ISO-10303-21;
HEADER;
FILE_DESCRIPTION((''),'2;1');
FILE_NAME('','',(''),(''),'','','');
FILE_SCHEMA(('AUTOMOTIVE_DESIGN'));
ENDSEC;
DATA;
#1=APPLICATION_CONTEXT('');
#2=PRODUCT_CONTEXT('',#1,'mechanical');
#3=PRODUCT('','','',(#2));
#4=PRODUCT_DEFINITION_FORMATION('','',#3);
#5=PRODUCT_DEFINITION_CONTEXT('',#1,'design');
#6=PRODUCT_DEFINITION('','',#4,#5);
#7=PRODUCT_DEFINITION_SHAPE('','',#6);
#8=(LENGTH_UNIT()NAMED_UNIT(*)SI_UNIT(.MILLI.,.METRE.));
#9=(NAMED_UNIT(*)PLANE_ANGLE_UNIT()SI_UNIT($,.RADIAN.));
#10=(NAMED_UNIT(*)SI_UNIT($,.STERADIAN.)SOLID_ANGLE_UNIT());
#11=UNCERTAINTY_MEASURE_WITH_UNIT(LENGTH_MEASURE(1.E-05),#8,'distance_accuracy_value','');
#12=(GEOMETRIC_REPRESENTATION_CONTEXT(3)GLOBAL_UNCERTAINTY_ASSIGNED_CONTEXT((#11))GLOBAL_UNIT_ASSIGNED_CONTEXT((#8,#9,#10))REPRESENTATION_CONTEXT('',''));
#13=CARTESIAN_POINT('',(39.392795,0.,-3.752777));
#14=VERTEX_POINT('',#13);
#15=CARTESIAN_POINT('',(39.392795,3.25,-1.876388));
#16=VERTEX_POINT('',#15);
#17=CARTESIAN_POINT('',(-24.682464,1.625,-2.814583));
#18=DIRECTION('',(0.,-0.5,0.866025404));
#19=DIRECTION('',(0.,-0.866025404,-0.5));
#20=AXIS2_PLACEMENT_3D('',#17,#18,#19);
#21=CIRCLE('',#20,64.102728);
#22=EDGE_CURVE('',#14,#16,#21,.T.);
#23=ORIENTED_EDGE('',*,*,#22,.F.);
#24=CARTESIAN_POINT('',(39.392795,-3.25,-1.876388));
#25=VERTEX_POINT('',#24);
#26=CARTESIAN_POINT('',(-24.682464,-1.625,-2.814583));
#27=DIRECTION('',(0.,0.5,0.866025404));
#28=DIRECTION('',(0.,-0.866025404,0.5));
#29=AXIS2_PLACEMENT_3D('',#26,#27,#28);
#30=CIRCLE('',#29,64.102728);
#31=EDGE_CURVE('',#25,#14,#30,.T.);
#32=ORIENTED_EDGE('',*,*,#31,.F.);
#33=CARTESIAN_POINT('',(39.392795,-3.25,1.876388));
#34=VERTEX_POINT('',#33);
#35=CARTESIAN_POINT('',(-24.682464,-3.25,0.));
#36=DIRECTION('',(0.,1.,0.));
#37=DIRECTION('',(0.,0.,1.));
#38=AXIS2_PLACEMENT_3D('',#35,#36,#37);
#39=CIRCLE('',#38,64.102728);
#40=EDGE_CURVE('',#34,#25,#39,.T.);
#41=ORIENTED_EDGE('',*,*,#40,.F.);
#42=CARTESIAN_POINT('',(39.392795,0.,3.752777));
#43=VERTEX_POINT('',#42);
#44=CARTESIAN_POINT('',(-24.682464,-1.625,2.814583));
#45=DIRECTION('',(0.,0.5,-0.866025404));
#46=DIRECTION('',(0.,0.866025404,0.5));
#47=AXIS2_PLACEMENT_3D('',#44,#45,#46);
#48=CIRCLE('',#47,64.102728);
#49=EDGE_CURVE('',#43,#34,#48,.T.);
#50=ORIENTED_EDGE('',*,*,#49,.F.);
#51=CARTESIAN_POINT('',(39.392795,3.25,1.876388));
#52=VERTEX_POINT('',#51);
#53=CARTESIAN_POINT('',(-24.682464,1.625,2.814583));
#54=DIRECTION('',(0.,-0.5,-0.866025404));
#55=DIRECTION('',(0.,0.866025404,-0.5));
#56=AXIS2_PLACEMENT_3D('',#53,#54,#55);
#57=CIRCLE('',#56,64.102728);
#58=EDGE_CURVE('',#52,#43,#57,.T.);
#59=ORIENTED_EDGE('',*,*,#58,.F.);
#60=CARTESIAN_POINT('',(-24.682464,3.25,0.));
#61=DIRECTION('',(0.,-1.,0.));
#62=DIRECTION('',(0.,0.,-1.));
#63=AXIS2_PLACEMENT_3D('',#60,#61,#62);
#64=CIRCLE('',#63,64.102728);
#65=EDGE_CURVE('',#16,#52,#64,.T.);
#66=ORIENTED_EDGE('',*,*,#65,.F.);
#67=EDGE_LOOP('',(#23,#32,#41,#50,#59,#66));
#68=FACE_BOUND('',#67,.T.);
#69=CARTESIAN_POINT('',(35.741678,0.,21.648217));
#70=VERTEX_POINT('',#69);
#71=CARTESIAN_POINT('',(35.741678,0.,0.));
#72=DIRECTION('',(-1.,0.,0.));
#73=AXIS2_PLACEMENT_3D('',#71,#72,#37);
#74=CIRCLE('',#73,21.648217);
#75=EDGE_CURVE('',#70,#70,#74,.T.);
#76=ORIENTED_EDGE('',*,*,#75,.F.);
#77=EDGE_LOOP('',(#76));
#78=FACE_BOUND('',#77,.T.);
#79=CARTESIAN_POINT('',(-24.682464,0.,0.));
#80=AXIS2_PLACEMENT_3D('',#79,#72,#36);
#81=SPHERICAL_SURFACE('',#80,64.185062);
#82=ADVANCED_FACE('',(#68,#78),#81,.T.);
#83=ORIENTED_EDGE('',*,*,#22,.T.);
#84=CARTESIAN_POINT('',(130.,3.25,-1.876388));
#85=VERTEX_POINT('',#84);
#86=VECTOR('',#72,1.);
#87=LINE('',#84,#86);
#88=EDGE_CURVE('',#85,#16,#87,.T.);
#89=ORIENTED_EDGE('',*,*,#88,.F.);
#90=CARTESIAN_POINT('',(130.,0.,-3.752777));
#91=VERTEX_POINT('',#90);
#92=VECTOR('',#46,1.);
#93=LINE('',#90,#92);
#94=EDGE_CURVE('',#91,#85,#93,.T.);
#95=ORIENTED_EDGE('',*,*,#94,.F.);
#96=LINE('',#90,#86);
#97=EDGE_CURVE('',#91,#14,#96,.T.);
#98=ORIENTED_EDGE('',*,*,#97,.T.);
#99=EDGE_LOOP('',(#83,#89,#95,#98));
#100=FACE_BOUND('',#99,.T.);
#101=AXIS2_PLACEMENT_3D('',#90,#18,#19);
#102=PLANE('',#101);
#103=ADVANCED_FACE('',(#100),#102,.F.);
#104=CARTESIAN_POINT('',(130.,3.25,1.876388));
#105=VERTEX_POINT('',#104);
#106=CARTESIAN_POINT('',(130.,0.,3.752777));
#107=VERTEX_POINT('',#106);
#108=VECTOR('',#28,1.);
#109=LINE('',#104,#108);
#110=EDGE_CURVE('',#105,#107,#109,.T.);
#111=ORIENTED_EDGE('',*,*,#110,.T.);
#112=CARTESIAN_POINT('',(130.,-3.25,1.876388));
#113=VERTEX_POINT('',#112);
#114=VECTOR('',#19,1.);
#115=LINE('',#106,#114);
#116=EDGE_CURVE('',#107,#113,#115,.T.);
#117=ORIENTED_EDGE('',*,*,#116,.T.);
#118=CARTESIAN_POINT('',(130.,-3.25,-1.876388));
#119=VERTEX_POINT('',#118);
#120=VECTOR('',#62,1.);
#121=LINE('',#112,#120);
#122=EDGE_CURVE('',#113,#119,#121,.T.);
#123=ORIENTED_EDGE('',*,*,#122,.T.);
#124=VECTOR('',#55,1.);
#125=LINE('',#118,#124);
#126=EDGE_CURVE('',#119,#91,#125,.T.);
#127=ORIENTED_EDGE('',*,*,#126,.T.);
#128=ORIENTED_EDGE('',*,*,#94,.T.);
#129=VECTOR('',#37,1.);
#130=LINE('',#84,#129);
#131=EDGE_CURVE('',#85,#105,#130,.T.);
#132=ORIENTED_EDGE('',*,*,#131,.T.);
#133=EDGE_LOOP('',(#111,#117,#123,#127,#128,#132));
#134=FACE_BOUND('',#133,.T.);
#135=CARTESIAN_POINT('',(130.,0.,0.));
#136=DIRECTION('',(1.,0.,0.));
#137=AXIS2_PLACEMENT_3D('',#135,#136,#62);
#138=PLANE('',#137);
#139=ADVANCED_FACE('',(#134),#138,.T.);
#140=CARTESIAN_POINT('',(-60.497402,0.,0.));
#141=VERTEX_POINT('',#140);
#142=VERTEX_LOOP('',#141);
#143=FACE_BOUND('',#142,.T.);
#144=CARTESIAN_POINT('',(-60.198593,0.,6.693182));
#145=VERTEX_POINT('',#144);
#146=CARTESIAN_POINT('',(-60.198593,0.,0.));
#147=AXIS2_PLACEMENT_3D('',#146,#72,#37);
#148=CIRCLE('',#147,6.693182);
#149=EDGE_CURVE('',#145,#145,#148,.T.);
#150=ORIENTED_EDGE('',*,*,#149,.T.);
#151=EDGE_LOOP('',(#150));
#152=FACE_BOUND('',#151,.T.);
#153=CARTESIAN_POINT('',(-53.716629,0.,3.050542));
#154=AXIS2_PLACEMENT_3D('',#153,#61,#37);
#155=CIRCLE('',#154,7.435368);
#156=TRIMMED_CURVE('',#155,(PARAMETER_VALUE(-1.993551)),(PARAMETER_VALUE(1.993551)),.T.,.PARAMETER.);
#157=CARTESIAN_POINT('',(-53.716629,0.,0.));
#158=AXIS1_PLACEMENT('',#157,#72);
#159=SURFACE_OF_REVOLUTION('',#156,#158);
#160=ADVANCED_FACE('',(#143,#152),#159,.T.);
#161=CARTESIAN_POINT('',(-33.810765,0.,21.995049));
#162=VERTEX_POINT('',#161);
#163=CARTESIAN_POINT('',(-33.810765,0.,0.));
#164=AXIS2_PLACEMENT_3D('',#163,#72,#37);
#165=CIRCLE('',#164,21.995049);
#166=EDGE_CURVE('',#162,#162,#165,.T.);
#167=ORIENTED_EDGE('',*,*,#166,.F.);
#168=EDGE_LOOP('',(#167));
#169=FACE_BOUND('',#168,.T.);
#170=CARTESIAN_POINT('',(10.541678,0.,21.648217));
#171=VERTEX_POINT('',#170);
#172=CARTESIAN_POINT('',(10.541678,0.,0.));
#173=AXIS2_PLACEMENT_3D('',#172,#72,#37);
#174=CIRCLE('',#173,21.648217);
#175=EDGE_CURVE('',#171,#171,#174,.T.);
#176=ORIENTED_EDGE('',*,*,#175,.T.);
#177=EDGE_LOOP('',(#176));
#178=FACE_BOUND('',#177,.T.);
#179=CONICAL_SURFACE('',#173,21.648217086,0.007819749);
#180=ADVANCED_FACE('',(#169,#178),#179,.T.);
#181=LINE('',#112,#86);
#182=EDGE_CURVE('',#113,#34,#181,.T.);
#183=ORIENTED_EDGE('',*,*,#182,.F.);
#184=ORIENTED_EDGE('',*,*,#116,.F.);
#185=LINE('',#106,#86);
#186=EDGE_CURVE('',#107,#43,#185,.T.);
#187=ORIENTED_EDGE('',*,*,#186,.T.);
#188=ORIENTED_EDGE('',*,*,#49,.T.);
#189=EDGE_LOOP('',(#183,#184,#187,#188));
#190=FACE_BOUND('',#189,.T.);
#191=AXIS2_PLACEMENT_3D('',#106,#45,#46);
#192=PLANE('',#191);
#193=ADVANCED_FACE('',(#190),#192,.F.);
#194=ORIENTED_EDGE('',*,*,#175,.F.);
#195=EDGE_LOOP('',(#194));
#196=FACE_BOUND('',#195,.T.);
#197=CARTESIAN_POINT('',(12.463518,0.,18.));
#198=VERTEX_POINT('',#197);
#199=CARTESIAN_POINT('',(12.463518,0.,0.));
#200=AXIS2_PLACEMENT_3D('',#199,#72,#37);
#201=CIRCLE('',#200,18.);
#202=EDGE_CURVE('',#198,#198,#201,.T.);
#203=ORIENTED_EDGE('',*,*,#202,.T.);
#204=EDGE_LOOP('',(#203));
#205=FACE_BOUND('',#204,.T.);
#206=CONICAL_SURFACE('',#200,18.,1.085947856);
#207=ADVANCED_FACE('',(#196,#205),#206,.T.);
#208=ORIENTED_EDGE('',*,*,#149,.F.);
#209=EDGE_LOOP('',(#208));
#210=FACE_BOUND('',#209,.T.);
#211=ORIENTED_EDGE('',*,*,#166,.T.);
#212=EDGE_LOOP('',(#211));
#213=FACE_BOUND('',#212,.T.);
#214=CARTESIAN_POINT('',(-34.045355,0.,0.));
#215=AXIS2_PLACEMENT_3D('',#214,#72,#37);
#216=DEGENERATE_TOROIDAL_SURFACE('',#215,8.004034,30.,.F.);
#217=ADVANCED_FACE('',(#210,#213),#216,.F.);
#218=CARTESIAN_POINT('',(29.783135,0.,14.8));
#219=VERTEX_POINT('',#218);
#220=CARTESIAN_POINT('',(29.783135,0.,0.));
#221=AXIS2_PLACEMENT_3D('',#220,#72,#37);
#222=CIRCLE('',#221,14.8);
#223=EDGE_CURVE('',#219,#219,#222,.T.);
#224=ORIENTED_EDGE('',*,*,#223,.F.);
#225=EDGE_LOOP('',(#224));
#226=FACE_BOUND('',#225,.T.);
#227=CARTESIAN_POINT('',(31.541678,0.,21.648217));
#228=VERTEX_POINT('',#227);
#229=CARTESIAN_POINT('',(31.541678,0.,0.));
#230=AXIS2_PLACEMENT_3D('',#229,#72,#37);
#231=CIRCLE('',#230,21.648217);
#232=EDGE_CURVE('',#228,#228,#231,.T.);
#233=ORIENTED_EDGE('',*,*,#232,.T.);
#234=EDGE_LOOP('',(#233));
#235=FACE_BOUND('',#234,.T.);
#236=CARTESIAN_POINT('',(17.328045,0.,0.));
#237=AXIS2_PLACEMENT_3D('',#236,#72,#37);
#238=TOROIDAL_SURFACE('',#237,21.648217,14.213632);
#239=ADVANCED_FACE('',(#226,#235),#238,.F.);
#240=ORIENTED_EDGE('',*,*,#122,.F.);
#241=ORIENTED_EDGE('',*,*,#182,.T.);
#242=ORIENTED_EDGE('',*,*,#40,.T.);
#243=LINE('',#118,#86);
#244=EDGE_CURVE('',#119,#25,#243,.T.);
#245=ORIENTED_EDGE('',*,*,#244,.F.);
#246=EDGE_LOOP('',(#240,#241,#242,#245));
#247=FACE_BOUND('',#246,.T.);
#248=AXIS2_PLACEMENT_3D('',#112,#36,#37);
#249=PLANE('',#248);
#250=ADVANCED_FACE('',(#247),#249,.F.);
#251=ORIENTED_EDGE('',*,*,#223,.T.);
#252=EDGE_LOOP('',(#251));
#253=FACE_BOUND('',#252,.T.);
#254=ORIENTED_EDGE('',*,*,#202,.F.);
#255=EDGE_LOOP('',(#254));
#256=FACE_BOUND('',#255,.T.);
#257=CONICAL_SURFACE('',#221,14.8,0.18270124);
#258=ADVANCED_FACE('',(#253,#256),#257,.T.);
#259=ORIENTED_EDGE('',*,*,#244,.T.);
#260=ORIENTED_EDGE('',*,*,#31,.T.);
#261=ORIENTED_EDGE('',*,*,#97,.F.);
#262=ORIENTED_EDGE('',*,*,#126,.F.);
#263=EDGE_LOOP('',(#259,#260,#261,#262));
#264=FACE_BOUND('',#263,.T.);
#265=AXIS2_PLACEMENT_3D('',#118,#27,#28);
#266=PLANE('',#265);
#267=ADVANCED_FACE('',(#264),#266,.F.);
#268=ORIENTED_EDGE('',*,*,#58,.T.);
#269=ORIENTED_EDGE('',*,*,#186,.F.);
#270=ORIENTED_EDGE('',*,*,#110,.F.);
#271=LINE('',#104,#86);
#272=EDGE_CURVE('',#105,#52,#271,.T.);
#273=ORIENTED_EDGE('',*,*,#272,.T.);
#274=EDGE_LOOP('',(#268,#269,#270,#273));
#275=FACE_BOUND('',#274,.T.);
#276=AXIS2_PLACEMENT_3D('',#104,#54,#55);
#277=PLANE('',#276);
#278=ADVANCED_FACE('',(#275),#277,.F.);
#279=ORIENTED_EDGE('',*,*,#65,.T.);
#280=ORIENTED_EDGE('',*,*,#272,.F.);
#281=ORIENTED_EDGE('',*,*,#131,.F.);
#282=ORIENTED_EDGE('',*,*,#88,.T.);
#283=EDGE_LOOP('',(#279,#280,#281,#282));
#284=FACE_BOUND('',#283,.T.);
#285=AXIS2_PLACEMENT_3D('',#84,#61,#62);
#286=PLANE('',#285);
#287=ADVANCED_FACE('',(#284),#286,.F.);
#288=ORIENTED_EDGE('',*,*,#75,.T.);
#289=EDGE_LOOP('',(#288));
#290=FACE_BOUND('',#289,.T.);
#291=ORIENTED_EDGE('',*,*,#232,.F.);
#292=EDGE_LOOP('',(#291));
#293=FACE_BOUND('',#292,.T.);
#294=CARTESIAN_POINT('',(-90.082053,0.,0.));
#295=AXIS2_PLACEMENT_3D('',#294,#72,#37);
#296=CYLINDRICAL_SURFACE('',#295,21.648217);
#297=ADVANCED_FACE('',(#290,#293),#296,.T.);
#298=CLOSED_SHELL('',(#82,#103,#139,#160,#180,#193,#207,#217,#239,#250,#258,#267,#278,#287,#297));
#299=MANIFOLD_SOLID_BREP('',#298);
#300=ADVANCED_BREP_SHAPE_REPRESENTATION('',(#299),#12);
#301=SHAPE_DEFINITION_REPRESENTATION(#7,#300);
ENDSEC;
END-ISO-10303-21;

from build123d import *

# Parameters (mm, degrees)
BOSS_EXTRUDE1_DEPTH = 130


with BuildPart() as part:
    # Sketch1 → Revolve1 (revolve)
    with BuildSketch(Plane.XY):
        with BuildLine():
            Line((35.74167751, 21.648217086), (31.54167751, 21.648217086))
            ThreePointArc((31.54167751, 21.648217086), (31.095024034, 18.113017357), (29.783135154, 14.8))
            Line((29.783135154, 14.8), (12.463518384, 18))
            Line((12.463518384, 18), (10.54167751, 21.648217086))
            Line((10.54167751, 21.648217086), (-33.810765389, 21.995049121))
            ThreePointArc((-33.810765389, 21.995049121), (-49.094636558, 17.948213618), (-60.198593388, 6.693181934))
            ThreePointArc((-60.198593388, 6.693181934), (-61.144597883, 3.382154176), (-60.497402053, 0))
            Line((-60.497402053, 0), (39.502597947, 0))
            ThreePointArc((39.502597947, 0), (38.55537848, 10.98623941), (35.74167751, 21.648217086))
        make_face()
    revolve(axis=Axis((-90.082052937, 0, 0), (1, 0, 0)))

    # Sketch2 → Boss-Extrude1 (add)
    with BuildSketch(Plane(origin=(0, 0, 0), x_dir=(0, 0, -1), z_dir=(1, 0, 0))):
        Polygon((3.75277675, 0), (1.876388375, 3.25), (-1.876388375, 3.25), (-3.75277675, 0), (-1.876388375, -3.25), (1.876388375, -3.25), align=None)
    extrude(amount=BOSS_EXTRUDE1_DEPTH)


solid = part.part
